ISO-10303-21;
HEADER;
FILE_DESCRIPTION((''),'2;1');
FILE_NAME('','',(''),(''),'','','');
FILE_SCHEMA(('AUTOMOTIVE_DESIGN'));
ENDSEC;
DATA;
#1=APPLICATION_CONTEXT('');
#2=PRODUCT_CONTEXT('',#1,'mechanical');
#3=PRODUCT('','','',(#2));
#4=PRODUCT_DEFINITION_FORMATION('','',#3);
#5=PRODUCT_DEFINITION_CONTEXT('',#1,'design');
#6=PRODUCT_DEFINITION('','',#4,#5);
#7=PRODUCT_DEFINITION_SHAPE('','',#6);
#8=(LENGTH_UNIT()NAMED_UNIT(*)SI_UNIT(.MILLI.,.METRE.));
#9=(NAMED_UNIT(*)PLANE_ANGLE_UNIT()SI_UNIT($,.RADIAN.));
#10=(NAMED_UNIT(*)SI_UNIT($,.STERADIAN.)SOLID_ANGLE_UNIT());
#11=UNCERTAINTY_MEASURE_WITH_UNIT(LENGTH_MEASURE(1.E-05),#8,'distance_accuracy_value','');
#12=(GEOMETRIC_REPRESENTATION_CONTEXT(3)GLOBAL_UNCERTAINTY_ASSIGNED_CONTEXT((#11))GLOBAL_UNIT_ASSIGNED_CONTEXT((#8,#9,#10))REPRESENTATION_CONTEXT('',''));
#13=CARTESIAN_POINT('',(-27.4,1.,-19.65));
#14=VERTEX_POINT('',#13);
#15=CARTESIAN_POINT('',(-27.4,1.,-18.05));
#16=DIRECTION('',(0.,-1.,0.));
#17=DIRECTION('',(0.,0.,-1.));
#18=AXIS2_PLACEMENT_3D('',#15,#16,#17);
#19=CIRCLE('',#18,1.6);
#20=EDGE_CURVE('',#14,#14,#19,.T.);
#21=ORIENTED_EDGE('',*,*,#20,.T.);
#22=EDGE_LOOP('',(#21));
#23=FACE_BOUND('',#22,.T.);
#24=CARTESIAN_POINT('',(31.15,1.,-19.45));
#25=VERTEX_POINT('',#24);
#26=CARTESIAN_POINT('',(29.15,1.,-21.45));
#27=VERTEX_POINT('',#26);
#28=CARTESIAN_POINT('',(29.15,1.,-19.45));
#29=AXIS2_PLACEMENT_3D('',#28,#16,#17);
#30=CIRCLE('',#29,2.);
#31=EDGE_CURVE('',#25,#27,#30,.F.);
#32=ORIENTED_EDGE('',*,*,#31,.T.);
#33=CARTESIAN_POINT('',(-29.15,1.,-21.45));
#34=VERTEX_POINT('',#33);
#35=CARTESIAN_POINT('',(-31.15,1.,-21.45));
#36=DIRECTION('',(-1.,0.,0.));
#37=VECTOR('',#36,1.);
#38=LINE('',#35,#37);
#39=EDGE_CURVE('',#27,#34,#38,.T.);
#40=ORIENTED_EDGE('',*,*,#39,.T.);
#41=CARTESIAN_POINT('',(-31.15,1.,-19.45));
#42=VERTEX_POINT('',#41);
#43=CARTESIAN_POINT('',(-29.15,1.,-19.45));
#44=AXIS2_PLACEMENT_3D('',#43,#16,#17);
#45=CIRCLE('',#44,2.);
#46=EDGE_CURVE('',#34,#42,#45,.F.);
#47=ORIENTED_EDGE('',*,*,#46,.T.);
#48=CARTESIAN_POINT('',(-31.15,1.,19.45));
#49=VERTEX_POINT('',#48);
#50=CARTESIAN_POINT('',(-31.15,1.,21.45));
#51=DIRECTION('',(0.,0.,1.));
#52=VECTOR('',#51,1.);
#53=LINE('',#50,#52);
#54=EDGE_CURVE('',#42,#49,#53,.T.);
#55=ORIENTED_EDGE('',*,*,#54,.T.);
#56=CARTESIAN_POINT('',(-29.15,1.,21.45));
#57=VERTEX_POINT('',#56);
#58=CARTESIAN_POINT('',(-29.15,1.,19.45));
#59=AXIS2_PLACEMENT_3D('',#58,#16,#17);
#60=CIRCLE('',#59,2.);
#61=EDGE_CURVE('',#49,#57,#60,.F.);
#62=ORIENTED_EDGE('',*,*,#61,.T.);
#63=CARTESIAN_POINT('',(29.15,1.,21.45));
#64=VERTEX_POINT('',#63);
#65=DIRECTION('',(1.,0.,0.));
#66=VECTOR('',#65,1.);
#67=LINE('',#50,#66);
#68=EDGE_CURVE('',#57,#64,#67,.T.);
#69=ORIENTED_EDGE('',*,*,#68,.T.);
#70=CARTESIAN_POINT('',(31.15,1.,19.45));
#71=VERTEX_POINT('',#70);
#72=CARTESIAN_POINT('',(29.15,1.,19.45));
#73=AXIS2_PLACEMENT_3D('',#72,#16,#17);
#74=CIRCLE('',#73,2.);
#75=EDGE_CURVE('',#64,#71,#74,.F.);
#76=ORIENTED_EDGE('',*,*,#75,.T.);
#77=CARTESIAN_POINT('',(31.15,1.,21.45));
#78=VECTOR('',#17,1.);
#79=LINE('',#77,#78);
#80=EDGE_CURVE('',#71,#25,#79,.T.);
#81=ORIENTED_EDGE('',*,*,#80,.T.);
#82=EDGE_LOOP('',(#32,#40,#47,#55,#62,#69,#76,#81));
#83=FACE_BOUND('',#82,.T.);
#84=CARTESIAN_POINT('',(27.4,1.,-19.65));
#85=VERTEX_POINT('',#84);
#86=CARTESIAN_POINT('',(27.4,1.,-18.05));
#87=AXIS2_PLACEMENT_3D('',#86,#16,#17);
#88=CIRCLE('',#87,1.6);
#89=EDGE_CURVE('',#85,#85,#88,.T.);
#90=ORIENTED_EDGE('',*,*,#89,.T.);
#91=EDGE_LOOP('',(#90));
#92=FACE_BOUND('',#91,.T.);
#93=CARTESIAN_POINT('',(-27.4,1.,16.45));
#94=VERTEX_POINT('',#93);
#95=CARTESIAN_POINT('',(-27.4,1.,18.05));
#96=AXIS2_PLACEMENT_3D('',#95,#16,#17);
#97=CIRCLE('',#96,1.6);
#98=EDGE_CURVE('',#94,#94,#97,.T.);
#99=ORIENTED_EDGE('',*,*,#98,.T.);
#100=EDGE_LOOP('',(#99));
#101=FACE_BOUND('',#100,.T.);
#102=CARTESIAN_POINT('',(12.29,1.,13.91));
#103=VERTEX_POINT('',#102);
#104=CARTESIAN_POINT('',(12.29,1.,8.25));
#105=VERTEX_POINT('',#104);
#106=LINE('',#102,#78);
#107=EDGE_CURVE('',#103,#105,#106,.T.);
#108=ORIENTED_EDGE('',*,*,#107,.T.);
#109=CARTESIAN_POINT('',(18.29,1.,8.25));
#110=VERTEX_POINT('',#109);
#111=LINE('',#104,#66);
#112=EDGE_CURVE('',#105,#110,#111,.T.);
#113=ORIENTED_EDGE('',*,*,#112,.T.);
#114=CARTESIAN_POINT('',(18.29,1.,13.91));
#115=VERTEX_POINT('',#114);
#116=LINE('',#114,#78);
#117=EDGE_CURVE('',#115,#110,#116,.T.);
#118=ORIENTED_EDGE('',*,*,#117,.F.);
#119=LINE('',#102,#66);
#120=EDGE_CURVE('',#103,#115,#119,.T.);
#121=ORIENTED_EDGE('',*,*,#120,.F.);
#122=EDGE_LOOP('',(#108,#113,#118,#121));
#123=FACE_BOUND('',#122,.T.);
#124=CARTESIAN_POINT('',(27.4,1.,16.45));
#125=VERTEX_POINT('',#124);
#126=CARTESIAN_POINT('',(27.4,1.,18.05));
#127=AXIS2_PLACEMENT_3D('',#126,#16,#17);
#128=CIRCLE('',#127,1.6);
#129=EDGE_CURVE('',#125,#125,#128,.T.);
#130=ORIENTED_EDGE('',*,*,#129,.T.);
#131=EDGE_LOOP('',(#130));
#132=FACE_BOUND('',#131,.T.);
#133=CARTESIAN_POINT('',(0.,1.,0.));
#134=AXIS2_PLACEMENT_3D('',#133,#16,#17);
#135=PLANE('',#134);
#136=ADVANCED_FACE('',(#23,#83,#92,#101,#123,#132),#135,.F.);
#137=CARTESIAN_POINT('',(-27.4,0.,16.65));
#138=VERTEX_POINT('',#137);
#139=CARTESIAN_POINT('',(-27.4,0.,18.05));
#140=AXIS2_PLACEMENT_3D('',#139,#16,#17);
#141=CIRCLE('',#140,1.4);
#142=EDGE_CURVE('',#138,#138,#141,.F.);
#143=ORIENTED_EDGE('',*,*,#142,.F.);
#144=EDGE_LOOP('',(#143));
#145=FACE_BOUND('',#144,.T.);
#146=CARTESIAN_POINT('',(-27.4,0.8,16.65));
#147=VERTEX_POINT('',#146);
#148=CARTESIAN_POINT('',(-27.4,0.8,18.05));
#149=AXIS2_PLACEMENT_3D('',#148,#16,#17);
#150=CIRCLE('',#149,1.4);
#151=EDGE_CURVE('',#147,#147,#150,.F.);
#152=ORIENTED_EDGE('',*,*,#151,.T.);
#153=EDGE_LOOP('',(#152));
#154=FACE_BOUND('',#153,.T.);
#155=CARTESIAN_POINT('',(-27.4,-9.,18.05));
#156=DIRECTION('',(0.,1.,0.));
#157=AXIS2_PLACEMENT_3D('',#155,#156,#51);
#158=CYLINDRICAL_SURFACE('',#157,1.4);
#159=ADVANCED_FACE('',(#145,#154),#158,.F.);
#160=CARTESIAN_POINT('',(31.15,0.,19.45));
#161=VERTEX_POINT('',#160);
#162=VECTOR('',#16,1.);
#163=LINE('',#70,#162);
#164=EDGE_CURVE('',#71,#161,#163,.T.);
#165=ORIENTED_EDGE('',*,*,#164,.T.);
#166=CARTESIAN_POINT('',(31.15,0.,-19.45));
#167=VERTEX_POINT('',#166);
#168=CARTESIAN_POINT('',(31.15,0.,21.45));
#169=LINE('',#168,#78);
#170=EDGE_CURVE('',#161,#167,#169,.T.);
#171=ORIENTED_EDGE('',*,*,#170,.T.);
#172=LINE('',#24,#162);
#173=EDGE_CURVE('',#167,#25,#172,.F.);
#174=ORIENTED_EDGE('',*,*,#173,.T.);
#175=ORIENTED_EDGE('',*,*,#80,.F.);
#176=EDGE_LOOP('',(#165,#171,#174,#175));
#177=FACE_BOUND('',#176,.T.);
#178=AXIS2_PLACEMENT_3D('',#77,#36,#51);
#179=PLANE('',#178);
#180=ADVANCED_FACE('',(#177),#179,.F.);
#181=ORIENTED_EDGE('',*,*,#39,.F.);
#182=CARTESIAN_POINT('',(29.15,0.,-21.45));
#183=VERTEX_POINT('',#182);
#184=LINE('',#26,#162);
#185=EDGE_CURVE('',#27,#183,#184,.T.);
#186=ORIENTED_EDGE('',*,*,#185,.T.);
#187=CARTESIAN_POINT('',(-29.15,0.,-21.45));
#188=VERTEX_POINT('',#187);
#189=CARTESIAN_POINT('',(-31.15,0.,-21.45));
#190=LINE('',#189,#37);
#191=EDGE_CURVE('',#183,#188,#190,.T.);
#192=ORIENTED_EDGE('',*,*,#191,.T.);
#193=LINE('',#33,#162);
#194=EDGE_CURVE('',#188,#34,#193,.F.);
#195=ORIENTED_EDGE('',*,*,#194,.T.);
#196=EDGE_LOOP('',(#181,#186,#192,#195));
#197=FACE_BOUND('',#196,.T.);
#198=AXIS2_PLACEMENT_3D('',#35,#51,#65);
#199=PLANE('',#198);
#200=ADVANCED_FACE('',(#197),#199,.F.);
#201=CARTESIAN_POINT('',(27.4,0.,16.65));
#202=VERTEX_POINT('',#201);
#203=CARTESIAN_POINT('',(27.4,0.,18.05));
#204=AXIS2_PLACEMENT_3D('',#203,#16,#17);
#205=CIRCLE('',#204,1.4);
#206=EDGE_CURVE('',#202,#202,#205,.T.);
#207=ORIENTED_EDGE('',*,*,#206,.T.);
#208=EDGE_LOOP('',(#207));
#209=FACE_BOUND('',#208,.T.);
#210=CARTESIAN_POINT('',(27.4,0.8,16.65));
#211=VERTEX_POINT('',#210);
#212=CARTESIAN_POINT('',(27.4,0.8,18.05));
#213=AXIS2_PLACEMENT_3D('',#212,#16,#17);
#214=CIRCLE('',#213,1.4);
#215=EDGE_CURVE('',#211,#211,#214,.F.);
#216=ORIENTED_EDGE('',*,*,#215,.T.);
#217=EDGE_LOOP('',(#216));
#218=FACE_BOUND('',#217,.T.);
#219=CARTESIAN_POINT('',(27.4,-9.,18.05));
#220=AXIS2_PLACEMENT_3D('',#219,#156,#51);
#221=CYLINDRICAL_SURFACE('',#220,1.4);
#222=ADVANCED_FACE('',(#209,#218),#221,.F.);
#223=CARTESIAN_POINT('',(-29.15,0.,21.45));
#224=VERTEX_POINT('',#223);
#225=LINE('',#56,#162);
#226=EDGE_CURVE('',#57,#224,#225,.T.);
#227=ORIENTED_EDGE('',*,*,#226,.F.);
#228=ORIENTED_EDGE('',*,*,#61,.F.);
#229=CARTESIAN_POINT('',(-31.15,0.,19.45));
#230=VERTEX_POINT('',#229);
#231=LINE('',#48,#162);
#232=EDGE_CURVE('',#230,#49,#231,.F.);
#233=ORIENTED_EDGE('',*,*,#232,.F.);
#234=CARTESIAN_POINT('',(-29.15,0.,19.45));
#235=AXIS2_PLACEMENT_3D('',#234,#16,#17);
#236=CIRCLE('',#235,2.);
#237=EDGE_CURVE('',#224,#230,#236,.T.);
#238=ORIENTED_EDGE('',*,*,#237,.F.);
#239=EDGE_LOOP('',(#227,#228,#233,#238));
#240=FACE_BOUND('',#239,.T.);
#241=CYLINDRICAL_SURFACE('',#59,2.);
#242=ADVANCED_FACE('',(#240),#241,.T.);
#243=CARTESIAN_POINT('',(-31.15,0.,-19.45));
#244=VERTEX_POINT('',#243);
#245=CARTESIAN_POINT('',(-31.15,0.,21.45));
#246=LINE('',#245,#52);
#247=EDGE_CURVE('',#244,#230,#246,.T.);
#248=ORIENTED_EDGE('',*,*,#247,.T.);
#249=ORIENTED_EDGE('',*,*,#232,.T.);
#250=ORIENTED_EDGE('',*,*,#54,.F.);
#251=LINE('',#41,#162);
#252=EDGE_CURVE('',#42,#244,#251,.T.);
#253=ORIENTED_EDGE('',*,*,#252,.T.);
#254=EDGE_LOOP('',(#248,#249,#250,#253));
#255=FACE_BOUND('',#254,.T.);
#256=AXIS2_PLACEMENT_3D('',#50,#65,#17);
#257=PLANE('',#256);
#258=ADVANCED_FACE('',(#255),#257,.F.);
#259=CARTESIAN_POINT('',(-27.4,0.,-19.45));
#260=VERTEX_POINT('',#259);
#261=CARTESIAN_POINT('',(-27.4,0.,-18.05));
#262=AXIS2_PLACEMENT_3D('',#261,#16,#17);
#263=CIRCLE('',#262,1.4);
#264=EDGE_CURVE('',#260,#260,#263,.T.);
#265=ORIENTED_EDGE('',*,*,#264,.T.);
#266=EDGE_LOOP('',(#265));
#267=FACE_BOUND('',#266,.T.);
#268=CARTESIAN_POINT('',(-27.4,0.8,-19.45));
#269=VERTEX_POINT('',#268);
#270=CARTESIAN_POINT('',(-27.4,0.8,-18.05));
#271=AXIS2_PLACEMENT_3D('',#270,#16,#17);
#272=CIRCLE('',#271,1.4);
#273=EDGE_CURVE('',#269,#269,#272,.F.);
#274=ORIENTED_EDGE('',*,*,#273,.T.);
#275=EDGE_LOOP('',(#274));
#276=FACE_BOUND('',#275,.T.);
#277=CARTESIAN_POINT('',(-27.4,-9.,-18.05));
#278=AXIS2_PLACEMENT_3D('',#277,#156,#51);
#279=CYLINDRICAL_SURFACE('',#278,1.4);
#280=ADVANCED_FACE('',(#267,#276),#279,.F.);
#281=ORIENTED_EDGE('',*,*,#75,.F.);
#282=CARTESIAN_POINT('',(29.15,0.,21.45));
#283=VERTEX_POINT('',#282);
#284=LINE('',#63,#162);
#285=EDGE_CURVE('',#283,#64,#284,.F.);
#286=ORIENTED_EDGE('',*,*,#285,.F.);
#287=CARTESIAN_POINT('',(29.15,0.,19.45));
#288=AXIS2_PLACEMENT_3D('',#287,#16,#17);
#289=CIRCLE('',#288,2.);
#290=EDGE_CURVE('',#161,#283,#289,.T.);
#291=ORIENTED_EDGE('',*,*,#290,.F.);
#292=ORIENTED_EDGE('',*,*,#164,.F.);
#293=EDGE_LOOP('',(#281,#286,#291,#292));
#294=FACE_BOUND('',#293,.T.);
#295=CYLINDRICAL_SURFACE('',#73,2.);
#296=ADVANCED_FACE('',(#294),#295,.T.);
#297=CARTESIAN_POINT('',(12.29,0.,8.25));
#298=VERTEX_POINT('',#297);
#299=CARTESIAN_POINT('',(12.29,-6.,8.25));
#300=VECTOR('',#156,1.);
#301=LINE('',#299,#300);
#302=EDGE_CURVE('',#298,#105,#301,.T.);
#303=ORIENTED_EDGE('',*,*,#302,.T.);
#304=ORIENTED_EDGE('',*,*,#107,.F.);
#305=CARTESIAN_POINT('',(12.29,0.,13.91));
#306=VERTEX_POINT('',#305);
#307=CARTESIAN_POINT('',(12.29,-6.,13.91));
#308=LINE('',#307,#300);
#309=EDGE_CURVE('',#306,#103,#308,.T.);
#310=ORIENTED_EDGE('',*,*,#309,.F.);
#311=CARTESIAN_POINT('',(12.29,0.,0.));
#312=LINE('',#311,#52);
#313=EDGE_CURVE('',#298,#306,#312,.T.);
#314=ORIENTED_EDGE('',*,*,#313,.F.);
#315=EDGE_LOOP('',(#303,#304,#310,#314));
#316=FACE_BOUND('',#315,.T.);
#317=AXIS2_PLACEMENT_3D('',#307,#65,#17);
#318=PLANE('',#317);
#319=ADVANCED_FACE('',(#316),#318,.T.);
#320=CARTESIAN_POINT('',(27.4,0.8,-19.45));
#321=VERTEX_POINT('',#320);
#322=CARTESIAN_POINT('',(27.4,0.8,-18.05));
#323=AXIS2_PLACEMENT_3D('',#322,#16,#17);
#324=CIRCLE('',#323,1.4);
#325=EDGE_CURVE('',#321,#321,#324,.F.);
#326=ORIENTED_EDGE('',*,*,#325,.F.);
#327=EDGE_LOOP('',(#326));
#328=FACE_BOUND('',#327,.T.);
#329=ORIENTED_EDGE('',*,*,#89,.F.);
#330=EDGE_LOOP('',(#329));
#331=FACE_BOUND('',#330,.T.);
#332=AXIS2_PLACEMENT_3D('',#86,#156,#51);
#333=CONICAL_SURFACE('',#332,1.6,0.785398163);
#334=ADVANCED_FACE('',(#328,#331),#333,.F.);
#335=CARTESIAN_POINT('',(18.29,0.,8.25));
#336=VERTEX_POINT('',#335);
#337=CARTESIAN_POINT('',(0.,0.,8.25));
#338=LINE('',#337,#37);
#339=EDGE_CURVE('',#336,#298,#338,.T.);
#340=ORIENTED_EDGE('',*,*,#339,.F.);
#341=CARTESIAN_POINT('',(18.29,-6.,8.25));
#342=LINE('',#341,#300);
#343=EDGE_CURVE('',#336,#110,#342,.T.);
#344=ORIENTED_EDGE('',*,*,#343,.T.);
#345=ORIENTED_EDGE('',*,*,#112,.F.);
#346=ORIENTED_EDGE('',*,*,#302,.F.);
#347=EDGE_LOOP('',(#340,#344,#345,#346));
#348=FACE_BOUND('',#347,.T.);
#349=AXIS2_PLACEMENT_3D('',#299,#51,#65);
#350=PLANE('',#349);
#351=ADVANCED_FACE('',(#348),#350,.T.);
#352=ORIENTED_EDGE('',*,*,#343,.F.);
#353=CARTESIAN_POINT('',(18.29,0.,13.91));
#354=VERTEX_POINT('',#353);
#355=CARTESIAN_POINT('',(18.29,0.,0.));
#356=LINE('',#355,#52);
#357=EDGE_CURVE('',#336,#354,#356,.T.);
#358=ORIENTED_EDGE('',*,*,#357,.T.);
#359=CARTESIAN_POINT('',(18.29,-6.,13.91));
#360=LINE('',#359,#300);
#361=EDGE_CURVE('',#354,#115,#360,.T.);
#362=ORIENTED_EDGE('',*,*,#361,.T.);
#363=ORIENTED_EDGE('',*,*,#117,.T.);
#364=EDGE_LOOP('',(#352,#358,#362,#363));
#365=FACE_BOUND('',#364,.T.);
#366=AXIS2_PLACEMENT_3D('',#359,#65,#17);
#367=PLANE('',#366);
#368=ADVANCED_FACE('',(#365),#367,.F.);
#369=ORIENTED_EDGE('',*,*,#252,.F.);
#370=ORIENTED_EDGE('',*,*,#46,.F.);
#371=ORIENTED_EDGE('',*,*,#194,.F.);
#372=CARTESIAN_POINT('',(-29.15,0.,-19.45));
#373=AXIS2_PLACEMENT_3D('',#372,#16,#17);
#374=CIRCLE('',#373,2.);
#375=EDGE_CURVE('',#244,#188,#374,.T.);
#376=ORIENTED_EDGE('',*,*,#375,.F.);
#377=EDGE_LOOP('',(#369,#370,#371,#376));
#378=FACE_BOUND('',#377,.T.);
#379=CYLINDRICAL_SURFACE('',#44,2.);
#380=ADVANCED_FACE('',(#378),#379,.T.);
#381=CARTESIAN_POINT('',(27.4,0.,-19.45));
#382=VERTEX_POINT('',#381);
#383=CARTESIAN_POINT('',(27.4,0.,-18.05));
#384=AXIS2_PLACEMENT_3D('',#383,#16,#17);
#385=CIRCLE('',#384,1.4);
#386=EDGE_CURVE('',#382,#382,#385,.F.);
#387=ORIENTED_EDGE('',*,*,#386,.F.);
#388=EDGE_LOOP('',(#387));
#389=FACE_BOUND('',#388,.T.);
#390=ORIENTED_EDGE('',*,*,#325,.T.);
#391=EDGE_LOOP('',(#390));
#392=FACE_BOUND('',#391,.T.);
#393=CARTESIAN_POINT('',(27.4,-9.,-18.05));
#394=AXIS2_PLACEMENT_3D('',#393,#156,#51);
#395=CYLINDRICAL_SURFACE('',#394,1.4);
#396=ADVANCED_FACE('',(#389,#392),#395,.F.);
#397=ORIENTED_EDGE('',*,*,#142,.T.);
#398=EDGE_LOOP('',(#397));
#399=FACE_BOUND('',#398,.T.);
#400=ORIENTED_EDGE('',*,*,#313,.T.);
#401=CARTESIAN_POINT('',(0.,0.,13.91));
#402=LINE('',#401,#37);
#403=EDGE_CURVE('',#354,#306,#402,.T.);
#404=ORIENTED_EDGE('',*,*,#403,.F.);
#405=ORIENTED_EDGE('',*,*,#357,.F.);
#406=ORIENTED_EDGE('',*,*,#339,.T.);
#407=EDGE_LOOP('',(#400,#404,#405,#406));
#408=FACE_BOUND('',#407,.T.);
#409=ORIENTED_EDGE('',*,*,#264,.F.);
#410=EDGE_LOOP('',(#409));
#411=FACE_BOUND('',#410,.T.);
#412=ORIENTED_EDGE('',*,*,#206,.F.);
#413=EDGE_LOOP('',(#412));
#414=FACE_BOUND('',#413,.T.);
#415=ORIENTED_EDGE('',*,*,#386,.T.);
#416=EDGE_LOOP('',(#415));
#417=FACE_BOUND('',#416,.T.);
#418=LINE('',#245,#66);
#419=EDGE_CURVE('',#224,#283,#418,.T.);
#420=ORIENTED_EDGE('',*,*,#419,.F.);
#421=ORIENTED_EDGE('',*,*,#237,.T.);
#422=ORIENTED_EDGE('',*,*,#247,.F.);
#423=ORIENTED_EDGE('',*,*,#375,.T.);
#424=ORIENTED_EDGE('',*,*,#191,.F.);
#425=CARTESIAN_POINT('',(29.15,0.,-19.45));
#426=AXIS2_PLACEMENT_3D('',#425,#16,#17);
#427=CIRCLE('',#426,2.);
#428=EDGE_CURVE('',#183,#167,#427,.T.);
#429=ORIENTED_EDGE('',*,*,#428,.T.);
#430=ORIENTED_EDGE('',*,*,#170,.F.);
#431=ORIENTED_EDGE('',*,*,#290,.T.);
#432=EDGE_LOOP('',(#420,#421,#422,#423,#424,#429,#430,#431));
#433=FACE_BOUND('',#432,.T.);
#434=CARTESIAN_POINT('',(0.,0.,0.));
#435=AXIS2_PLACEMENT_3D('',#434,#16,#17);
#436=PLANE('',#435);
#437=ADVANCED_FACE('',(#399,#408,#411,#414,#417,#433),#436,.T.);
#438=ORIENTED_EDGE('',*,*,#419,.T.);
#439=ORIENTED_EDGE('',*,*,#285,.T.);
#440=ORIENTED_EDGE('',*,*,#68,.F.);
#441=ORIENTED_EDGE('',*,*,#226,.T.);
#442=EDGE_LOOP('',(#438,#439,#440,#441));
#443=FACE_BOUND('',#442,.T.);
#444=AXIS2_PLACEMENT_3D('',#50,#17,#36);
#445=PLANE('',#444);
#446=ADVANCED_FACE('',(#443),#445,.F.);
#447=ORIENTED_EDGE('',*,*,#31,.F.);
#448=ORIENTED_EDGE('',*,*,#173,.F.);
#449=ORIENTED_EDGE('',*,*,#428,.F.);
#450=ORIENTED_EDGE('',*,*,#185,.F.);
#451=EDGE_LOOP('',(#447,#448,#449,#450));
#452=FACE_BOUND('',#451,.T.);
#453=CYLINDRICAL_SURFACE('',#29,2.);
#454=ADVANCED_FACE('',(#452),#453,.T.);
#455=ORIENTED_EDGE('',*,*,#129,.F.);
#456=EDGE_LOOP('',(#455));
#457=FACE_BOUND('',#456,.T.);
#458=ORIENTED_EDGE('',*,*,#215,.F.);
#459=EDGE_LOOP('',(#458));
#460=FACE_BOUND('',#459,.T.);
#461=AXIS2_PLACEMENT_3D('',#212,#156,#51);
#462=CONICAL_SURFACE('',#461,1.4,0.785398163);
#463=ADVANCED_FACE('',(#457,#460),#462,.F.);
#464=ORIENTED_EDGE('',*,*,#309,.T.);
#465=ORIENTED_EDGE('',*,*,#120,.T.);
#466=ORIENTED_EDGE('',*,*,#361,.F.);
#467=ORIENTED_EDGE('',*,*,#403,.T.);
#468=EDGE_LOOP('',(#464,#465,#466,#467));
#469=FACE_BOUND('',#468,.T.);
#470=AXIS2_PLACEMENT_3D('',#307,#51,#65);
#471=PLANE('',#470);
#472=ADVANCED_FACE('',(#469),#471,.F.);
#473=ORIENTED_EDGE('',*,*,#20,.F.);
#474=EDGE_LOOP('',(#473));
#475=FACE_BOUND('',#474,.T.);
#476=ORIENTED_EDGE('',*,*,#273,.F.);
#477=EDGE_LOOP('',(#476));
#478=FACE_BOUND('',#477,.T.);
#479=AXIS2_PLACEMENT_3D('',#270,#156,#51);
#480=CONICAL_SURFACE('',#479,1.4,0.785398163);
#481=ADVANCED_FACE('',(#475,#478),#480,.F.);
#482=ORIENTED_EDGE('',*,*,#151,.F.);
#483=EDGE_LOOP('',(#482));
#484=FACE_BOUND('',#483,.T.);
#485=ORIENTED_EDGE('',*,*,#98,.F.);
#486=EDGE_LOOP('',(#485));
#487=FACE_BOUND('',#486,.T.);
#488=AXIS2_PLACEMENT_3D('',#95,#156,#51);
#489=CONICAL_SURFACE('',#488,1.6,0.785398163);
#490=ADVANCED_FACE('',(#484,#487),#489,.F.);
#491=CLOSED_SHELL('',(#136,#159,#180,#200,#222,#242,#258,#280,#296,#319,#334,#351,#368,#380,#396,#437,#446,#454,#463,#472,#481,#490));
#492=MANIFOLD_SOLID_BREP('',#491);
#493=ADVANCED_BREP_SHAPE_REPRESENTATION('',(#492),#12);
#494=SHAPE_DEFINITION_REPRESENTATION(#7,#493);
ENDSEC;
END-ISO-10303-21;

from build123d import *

# Parameters (mm, degrees)
SZKIC1_W                    = 62.3
SZKIC1_H                    = 42.9
DODANIE_WYCI_GNI_CIE1_DEPTH = 1
SZKIC5_W                    = 6
SZKIC5_H                    = 5.66
WYTNIJ_WYCI_GNI_CIE2_DEPTH  = 7
SZKIC6_R                    = 1.4
WYTNIJ_WYCI_GNI_CIE3_DEPTH  = 10
ZAOKR_GLENIE1_R             = 2
SFAZOWANIE1_SIZE            = 0.2


with BuildPart() as part:
    # Szkic1 → Dodanie-wyciągnięcie1 (new body)
    with BuildSketch(Plane(origin=(0, 0, 0), x_dir=(1, 0, 0), z_dir=(0, 1, 0))):
        Rectangle(SZKIC1_W, SZKIC1_H)
    extrude(amount=DODANIE_WYCI_GNI_CIE1_DEPTH)

    # Szkic5 → Wytnij-wyciągnięcie2 (cut)
    with BuildSketch(Plane(origin=(0, 1, 0), x_dir=(1, 0, 0), z_dir=(0, 1, 0))):
        with Locations((15.29, -11.08)):
            Rectangle(SZKIC5_W, SZKIC5_H)
    extrude(amount=-WYTNIJ_WYCI_GNI_CIE2_DEPTH, mode=Mode.SUBTRACT)

    # Szkic6 → Wytnij-wyciągnięcie3 (cut)
    with BuildSketch(Plane(origin=(0, 1, 0), x_dir=(1, 0, 0), z_dir=(0, 1, 0))):
        with Locations((27.4, 18.05)):
            Circle(SZKIC6_R)
        with Locations((27.4, -18.05)):
            Circle(SZKIC6_R)
        with Locations((-27.4, -18.05)):
            Circle(SZKIC6_R)
        with Locations((-27.4, 18.05)):
            Circle(SZKIC6_R)
    extrude(amount=-WYTNIJ_WYCI_GNI_CIE3_DEPTH, mode=Mode.SUBTRACT)

    # Zaokrąglenie1
    zaokr_glenie1_edges = [part.edges().sort_by_distance(p)[0] for p in [
        (31.15, 0.5, 21.45),
        (-31.15, 0.5, 21.45),
        (-31.15, 0.5, -21.45),
        (31.15, 0.5, -21.45),
    ]]
    fillet(zaokr_glenie1_edges, radius=ZAOKR_GLENIE1_R)

    # Sfazowanie1
    sfazowanie1_edges = [part.edges().sort_by_distance(p)[0] for p in [
        (-28.8, 1, -18.05),
        (-28.8, 1, 18.05),
        (26, 1, 18.05),
        (26, 1, -18.05),
    ]]
    chamfer(sfazowanie1_edges, length=SFAZOWANIE1_SIZE)


solid = part.part
